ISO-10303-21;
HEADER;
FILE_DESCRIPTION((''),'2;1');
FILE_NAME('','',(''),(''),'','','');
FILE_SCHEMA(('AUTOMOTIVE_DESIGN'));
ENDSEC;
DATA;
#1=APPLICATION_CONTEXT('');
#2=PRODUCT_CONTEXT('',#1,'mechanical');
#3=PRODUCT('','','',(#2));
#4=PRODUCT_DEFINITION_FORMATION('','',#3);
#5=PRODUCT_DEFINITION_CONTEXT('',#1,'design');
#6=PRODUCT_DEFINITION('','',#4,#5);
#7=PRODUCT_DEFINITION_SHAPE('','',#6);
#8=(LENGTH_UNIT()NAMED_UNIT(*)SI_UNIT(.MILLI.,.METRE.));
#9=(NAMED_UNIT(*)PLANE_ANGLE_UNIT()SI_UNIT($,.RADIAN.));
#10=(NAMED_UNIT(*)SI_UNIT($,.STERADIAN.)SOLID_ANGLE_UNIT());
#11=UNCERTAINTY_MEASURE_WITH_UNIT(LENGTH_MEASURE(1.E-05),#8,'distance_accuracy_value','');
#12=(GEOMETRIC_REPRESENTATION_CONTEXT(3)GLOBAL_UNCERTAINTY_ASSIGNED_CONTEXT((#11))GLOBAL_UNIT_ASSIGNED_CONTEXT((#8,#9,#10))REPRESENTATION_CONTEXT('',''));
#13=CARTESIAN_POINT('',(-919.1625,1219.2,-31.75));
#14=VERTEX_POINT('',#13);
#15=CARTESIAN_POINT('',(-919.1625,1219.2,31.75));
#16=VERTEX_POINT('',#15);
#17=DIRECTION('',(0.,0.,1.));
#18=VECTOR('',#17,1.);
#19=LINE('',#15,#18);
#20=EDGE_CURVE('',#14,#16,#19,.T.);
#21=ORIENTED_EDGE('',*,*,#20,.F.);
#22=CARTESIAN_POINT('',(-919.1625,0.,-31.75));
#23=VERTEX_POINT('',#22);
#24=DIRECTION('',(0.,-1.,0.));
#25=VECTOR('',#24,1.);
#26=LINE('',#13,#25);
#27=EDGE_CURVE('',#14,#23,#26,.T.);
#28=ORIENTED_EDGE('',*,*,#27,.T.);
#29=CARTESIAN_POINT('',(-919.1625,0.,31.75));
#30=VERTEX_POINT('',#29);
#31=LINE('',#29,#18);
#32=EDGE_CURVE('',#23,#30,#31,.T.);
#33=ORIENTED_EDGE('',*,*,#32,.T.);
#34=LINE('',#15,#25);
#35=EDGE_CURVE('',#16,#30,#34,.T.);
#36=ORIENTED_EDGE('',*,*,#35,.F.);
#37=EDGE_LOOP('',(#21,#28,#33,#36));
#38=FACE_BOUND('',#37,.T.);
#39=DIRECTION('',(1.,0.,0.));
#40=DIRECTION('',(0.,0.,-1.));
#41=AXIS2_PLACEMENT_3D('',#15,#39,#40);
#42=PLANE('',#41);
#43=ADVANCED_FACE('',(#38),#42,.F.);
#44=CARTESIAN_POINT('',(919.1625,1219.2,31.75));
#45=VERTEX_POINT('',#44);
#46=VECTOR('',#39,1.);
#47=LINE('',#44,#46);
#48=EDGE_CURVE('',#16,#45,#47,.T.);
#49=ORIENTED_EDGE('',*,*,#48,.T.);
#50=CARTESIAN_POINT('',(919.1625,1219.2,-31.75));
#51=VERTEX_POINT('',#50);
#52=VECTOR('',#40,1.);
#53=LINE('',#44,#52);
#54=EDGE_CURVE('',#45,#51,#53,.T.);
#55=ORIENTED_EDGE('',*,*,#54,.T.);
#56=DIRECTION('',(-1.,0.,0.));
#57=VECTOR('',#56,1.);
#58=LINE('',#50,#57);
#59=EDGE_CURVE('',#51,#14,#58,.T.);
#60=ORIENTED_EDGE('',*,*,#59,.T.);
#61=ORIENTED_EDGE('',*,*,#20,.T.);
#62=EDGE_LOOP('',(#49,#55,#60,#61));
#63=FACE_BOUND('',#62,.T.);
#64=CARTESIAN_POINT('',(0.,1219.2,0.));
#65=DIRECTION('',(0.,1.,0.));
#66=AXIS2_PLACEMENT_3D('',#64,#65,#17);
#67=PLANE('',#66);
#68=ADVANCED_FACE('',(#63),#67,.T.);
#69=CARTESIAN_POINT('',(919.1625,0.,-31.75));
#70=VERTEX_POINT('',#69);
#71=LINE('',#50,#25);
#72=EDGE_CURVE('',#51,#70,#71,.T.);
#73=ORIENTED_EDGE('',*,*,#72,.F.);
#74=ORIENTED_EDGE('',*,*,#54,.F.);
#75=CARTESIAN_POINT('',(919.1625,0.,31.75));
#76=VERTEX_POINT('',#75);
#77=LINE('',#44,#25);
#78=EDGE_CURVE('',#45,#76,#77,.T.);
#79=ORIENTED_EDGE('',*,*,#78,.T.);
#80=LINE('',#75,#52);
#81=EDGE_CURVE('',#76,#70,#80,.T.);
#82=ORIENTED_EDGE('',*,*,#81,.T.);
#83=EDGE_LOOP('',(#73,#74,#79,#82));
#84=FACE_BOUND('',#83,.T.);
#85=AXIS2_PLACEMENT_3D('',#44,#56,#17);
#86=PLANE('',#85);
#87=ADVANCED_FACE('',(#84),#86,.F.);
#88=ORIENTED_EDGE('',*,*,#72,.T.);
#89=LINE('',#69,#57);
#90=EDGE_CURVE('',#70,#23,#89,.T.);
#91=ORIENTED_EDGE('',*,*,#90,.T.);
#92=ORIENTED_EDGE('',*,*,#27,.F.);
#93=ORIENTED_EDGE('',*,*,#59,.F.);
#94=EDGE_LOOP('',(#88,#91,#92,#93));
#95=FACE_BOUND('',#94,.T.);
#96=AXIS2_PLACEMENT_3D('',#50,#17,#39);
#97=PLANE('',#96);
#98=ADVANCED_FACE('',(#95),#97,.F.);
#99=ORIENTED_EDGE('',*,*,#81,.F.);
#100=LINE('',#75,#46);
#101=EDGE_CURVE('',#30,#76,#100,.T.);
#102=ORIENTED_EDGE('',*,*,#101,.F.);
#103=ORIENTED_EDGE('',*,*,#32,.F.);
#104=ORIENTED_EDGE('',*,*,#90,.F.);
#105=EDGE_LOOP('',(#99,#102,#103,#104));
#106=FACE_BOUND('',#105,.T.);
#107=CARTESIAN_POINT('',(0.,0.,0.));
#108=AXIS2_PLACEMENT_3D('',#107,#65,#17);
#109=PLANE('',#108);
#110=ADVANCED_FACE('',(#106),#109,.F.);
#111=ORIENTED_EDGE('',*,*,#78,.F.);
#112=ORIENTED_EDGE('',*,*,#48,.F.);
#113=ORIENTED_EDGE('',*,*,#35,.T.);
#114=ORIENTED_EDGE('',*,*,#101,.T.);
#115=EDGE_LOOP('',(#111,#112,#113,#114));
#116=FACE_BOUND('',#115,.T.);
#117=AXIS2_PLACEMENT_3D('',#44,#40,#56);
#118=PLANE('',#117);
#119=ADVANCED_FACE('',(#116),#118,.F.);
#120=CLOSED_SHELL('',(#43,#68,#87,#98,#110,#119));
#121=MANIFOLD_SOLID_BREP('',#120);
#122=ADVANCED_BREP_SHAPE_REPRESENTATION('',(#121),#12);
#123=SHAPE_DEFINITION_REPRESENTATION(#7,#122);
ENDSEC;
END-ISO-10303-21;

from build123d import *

# Parameters (mm, degrees)
SKETCH1_W           = 1838.325
SKETCH1_H           = 63.5
BOSS_EXTRUDE1_DEPTH = 1219.2


with BuildPart() as part:
    # Sketch1 → Boss-Extrude1 (new body)
    with BuildSketch(Plane(origin=(0, 0, 0), x_dir=(1, 0, 0), z_dir=(0, 1, 0))):
        Rectangle(SKETCH1_W, SKETCH1_H)
    extrude(amount=BOSS_EXTRUDE1_DEPTH)


solid = part.part
